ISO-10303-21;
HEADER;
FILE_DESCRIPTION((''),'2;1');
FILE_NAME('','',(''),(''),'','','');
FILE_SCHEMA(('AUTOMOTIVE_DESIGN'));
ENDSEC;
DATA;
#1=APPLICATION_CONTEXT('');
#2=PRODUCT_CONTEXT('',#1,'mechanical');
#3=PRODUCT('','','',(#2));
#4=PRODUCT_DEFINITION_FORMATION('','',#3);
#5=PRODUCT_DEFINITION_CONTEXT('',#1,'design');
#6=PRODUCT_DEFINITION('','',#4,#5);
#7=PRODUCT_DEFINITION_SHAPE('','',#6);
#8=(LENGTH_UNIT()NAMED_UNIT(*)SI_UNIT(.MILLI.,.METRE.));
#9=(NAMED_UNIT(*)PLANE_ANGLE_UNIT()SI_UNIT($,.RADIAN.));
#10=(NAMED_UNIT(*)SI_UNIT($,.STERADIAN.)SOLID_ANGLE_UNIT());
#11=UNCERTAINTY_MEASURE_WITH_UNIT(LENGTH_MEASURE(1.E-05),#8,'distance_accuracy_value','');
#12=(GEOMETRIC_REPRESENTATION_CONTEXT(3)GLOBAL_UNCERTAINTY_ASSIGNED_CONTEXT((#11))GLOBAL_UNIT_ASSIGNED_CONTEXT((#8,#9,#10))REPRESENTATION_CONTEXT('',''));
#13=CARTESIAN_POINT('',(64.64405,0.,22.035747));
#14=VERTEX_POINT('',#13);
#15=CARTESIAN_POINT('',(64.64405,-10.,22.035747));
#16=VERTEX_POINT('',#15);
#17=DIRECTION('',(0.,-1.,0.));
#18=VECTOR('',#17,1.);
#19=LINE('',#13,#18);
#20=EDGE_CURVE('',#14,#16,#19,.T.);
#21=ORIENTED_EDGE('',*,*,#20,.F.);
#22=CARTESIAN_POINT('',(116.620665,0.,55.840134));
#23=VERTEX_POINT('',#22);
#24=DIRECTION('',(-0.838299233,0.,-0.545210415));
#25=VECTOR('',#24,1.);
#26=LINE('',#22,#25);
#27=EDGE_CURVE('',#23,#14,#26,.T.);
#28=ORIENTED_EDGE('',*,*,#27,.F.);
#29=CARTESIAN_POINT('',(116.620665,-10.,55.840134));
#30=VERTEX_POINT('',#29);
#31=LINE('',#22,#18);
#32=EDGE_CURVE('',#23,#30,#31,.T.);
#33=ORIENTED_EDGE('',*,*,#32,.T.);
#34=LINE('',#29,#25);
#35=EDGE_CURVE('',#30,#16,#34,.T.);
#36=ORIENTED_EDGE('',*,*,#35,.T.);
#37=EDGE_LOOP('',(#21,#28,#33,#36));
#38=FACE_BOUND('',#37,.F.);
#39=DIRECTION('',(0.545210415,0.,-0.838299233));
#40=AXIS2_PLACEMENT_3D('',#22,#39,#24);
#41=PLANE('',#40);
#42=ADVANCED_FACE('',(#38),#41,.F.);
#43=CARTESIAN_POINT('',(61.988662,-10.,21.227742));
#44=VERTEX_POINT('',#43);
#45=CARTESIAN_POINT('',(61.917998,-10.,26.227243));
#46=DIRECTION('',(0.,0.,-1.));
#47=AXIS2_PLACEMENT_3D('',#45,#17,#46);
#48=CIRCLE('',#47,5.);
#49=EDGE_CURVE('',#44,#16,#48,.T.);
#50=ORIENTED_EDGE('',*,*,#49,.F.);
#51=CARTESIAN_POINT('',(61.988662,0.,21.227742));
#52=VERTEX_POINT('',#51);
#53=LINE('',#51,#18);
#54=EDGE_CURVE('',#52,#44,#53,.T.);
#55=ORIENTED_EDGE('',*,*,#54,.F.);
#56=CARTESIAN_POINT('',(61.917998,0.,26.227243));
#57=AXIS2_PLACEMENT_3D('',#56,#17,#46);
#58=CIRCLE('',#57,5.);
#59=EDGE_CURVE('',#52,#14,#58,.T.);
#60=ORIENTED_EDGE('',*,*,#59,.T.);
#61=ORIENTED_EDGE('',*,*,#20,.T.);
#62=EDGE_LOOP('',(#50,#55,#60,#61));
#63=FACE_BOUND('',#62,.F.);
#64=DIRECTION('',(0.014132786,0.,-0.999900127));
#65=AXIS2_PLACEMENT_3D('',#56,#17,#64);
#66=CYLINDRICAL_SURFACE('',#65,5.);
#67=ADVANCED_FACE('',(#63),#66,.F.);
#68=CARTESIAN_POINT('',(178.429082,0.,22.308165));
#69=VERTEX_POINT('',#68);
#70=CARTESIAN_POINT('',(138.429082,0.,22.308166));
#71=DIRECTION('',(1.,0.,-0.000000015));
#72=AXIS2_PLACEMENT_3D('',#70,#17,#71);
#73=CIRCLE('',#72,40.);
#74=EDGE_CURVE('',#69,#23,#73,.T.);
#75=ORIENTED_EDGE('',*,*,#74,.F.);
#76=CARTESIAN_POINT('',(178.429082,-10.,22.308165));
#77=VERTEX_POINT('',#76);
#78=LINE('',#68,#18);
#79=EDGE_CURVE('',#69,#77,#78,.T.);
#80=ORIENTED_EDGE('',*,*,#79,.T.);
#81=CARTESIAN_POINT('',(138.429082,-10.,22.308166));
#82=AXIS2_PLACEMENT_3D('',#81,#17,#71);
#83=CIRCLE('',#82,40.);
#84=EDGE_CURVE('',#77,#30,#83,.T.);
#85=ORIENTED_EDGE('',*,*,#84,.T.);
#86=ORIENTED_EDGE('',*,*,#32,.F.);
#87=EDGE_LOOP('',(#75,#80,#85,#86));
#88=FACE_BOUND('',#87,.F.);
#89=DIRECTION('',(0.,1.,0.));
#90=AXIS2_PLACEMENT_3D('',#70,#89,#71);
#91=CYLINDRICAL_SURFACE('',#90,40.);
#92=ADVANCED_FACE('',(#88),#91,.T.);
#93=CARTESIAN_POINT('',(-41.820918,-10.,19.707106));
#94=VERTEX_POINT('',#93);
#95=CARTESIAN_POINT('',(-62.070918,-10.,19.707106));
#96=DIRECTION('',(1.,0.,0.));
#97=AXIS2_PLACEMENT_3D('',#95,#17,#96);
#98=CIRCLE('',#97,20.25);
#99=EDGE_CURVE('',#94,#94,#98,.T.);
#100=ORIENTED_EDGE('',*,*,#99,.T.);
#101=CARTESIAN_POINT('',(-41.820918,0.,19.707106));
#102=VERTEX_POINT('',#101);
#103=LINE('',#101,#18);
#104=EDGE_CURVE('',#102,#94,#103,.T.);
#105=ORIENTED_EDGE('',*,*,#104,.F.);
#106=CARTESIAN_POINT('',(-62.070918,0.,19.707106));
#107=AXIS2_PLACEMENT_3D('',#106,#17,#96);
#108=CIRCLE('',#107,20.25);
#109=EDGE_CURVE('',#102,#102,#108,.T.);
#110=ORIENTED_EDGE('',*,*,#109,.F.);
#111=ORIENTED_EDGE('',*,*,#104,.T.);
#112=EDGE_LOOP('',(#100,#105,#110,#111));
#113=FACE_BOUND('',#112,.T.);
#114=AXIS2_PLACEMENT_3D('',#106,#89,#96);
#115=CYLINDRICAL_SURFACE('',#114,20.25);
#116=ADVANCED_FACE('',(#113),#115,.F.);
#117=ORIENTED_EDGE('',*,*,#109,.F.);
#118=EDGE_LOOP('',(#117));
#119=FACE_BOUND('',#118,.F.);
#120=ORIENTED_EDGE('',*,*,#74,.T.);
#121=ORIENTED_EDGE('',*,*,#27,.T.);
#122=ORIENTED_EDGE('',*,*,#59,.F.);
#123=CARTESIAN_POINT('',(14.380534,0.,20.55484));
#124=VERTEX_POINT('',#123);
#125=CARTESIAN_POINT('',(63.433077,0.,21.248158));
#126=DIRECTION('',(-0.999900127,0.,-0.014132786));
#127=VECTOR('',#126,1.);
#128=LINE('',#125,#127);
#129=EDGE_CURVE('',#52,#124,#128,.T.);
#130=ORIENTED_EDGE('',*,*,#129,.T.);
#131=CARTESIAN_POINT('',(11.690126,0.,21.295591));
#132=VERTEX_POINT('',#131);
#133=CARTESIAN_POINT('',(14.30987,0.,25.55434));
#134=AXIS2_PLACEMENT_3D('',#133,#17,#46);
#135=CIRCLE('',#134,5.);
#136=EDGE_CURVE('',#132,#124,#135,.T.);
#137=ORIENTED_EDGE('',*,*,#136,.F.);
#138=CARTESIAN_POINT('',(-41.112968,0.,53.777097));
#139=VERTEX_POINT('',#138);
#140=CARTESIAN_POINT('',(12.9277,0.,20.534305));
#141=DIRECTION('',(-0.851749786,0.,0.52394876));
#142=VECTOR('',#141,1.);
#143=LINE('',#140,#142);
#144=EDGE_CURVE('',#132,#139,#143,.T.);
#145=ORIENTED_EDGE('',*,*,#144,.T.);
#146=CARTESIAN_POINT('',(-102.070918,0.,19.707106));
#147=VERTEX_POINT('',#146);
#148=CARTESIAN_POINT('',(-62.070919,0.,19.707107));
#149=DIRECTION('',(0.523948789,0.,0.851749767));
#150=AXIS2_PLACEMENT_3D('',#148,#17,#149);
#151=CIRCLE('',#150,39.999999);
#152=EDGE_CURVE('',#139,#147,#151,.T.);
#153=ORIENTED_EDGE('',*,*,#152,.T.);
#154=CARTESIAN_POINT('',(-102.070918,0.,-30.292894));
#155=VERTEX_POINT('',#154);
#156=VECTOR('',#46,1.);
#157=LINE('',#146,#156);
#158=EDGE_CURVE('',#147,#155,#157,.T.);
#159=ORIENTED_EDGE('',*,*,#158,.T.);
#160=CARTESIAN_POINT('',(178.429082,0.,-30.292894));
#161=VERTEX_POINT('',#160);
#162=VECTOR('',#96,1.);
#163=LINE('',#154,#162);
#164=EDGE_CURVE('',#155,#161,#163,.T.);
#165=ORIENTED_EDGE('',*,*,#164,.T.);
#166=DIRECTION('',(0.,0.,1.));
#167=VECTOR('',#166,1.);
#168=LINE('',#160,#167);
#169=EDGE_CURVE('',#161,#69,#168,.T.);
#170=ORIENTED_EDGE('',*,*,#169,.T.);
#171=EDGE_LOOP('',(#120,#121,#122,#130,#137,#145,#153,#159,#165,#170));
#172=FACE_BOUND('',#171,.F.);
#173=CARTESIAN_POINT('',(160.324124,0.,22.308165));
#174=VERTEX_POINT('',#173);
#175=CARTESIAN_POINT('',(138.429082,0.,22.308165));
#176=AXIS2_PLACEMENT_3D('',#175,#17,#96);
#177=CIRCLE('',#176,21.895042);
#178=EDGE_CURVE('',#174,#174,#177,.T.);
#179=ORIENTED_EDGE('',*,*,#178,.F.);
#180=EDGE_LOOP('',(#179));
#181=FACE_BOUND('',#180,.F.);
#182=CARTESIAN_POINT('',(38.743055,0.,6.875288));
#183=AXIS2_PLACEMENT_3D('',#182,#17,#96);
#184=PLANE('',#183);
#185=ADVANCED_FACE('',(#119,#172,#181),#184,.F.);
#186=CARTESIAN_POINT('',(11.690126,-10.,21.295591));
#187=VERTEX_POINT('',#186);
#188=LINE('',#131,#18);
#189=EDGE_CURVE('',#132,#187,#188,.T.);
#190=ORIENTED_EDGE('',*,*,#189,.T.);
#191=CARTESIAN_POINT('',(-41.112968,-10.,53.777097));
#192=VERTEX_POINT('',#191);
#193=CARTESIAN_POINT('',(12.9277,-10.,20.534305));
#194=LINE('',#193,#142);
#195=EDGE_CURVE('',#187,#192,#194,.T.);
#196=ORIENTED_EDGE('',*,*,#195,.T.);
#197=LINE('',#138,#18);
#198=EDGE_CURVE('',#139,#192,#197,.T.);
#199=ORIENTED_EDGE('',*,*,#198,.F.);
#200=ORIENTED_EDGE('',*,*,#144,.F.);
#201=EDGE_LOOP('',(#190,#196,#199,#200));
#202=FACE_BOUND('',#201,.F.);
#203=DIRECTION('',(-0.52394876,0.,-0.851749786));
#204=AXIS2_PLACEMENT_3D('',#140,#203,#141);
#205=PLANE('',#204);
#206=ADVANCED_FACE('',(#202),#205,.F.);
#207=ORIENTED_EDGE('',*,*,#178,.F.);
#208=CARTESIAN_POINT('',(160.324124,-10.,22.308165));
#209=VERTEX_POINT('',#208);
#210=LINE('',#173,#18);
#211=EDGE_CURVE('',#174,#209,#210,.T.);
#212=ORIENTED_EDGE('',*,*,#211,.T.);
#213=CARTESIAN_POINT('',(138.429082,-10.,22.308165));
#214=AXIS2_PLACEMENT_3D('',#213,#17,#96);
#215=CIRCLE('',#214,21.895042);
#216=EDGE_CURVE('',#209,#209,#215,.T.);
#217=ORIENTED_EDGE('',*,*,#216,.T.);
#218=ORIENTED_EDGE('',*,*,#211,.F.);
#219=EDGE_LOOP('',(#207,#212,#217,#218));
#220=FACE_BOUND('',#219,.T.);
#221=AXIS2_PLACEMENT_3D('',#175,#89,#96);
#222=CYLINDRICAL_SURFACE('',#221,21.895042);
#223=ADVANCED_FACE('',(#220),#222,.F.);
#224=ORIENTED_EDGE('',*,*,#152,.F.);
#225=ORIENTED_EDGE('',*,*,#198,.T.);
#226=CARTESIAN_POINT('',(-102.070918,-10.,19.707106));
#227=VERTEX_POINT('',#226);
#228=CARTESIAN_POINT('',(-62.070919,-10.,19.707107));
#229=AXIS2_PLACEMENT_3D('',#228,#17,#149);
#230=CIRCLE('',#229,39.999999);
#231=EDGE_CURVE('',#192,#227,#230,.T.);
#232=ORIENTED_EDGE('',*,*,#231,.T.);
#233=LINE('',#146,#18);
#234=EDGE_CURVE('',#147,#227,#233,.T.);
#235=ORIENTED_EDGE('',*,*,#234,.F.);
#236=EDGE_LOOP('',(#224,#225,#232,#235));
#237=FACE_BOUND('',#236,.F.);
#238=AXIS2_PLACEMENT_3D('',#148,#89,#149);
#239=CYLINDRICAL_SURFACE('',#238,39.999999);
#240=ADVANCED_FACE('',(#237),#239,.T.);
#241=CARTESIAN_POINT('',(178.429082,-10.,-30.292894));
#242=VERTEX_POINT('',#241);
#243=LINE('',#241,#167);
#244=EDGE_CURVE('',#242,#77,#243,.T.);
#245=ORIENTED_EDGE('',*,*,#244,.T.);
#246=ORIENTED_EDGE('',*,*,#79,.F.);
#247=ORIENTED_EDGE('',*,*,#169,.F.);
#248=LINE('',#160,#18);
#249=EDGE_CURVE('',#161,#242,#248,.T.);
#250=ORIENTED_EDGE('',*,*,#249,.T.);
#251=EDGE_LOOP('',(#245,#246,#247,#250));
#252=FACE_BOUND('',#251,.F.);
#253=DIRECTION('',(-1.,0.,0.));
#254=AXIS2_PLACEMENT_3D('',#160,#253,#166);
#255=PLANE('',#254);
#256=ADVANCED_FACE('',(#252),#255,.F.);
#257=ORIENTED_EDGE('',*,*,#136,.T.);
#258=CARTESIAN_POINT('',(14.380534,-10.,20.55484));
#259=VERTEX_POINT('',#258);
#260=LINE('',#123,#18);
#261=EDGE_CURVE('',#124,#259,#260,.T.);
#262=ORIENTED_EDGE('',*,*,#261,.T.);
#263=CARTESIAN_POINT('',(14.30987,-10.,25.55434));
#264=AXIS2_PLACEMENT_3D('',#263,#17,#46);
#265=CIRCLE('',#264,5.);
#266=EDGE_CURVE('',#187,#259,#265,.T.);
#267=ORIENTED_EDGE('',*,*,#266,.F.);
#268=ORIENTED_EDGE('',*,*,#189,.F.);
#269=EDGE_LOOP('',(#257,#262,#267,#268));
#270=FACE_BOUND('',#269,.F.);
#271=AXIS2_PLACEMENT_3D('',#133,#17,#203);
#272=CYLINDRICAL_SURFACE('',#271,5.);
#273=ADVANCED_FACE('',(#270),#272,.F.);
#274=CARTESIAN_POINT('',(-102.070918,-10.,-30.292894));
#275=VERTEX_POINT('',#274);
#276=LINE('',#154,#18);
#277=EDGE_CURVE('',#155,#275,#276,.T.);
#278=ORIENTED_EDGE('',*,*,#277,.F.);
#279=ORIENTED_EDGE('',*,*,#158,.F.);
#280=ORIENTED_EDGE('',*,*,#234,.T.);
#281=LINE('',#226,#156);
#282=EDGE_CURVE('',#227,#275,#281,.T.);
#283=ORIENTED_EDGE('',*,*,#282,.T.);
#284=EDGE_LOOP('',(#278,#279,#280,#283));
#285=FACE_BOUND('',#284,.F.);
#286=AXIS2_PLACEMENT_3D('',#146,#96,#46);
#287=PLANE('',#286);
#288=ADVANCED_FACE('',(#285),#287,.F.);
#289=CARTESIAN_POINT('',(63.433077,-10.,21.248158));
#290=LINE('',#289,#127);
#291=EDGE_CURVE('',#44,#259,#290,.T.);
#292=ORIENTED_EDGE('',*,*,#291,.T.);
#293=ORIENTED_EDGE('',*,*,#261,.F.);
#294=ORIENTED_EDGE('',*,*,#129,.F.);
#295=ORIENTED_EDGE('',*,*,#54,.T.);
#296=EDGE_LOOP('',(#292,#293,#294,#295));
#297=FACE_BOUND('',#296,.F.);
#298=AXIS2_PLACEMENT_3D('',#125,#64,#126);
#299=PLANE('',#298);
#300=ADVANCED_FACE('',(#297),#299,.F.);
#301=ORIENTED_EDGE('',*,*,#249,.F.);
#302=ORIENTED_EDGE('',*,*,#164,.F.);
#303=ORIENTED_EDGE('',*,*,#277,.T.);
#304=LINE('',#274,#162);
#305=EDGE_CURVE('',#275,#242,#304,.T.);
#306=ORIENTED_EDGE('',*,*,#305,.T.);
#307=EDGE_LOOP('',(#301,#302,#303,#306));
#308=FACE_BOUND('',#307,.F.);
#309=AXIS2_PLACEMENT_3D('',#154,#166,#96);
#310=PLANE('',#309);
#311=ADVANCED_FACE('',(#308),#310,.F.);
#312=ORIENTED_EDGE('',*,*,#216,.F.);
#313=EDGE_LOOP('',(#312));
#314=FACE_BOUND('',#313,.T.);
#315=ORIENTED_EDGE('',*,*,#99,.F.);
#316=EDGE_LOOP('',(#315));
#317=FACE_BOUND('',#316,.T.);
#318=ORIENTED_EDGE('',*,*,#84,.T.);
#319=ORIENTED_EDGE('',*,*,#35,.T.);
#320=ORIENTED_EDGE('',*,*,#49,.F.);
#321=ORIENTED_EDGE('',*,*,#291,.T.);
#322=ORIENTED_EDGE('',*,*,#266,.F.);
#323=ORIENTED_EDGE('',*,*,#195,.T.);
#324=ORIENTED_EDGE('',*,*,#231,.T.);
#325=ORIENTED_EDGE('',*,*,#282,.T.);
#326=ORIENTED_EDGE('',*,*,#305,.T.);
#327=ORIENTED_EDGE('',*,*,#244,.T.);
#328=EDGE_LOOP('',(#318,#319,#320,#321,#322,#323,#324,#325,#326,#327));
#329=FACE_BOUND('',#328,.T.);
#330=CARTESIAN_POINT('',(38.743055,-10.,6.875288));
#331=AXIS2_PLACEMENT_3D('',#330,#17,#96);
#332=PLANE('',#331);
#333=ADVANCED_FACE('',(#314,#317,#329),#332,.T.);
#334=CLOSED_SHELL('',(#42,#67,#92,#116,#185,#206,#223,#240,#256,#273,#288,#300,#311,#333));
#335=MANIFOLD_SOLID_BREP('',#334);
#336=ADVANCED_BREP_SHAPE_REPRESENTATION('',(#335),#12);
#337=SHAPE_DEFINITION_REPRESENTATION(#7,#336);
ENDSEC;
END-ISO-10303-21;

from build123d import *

# Parameters (mm, degrees)
F0_R     = 20.25
F0_R_2   = 21.895042
F1_DEPTH = 10
F2_R     = 5


with BuildPart() as f1:
    # F0 (on Front) → F1 (new body)
    with BuildSketch(Plane.XZ):
        with BuildLine():
            Line((12.9277, 20.534305), (-41.112968, 53.777097))
            ThreePointArc((-41.112968, 53.777097), (-81.586066, 54.623564), (-102.070918, 19.707106))
            Line((-102.070918, 19.707106), (-102.070918, -30.292894))
            Line((-102.070918, -30.292894), (178.429082, -30.292894))
            Line((178.429082, -30.292894), (178.429082, 22.308165))
            ThreePointArc((178.429082, 22.308165), (157.503454, 57.467351), (116.620665, 55.840134))
            Line((116.620665, 55.840134), (63.433077, 21.248158))
            Line((63.433077, 21.248158), (12.9277, 20.534305))
        make_face()
        with Locations((-62.070918, 19.707106)):
            Circle(F0_R, mode=Mode.SUBTRACT)
        with Locations((138.429082, 22.308165)):
            Circle(F0_R_2, mode=Mode.SUBTRACT)
    extrude(amount=F1_DEPTH)

    # F2
    f2_edges = [f1.edges().sort_by_distance(p)[0] for p in [
        (12.9277, -5, 20.534305),
        (63.433077, -5, 21.248158),
    ]]
    fillet(f2_edges, radius=F2_R)


solid = f1.part
